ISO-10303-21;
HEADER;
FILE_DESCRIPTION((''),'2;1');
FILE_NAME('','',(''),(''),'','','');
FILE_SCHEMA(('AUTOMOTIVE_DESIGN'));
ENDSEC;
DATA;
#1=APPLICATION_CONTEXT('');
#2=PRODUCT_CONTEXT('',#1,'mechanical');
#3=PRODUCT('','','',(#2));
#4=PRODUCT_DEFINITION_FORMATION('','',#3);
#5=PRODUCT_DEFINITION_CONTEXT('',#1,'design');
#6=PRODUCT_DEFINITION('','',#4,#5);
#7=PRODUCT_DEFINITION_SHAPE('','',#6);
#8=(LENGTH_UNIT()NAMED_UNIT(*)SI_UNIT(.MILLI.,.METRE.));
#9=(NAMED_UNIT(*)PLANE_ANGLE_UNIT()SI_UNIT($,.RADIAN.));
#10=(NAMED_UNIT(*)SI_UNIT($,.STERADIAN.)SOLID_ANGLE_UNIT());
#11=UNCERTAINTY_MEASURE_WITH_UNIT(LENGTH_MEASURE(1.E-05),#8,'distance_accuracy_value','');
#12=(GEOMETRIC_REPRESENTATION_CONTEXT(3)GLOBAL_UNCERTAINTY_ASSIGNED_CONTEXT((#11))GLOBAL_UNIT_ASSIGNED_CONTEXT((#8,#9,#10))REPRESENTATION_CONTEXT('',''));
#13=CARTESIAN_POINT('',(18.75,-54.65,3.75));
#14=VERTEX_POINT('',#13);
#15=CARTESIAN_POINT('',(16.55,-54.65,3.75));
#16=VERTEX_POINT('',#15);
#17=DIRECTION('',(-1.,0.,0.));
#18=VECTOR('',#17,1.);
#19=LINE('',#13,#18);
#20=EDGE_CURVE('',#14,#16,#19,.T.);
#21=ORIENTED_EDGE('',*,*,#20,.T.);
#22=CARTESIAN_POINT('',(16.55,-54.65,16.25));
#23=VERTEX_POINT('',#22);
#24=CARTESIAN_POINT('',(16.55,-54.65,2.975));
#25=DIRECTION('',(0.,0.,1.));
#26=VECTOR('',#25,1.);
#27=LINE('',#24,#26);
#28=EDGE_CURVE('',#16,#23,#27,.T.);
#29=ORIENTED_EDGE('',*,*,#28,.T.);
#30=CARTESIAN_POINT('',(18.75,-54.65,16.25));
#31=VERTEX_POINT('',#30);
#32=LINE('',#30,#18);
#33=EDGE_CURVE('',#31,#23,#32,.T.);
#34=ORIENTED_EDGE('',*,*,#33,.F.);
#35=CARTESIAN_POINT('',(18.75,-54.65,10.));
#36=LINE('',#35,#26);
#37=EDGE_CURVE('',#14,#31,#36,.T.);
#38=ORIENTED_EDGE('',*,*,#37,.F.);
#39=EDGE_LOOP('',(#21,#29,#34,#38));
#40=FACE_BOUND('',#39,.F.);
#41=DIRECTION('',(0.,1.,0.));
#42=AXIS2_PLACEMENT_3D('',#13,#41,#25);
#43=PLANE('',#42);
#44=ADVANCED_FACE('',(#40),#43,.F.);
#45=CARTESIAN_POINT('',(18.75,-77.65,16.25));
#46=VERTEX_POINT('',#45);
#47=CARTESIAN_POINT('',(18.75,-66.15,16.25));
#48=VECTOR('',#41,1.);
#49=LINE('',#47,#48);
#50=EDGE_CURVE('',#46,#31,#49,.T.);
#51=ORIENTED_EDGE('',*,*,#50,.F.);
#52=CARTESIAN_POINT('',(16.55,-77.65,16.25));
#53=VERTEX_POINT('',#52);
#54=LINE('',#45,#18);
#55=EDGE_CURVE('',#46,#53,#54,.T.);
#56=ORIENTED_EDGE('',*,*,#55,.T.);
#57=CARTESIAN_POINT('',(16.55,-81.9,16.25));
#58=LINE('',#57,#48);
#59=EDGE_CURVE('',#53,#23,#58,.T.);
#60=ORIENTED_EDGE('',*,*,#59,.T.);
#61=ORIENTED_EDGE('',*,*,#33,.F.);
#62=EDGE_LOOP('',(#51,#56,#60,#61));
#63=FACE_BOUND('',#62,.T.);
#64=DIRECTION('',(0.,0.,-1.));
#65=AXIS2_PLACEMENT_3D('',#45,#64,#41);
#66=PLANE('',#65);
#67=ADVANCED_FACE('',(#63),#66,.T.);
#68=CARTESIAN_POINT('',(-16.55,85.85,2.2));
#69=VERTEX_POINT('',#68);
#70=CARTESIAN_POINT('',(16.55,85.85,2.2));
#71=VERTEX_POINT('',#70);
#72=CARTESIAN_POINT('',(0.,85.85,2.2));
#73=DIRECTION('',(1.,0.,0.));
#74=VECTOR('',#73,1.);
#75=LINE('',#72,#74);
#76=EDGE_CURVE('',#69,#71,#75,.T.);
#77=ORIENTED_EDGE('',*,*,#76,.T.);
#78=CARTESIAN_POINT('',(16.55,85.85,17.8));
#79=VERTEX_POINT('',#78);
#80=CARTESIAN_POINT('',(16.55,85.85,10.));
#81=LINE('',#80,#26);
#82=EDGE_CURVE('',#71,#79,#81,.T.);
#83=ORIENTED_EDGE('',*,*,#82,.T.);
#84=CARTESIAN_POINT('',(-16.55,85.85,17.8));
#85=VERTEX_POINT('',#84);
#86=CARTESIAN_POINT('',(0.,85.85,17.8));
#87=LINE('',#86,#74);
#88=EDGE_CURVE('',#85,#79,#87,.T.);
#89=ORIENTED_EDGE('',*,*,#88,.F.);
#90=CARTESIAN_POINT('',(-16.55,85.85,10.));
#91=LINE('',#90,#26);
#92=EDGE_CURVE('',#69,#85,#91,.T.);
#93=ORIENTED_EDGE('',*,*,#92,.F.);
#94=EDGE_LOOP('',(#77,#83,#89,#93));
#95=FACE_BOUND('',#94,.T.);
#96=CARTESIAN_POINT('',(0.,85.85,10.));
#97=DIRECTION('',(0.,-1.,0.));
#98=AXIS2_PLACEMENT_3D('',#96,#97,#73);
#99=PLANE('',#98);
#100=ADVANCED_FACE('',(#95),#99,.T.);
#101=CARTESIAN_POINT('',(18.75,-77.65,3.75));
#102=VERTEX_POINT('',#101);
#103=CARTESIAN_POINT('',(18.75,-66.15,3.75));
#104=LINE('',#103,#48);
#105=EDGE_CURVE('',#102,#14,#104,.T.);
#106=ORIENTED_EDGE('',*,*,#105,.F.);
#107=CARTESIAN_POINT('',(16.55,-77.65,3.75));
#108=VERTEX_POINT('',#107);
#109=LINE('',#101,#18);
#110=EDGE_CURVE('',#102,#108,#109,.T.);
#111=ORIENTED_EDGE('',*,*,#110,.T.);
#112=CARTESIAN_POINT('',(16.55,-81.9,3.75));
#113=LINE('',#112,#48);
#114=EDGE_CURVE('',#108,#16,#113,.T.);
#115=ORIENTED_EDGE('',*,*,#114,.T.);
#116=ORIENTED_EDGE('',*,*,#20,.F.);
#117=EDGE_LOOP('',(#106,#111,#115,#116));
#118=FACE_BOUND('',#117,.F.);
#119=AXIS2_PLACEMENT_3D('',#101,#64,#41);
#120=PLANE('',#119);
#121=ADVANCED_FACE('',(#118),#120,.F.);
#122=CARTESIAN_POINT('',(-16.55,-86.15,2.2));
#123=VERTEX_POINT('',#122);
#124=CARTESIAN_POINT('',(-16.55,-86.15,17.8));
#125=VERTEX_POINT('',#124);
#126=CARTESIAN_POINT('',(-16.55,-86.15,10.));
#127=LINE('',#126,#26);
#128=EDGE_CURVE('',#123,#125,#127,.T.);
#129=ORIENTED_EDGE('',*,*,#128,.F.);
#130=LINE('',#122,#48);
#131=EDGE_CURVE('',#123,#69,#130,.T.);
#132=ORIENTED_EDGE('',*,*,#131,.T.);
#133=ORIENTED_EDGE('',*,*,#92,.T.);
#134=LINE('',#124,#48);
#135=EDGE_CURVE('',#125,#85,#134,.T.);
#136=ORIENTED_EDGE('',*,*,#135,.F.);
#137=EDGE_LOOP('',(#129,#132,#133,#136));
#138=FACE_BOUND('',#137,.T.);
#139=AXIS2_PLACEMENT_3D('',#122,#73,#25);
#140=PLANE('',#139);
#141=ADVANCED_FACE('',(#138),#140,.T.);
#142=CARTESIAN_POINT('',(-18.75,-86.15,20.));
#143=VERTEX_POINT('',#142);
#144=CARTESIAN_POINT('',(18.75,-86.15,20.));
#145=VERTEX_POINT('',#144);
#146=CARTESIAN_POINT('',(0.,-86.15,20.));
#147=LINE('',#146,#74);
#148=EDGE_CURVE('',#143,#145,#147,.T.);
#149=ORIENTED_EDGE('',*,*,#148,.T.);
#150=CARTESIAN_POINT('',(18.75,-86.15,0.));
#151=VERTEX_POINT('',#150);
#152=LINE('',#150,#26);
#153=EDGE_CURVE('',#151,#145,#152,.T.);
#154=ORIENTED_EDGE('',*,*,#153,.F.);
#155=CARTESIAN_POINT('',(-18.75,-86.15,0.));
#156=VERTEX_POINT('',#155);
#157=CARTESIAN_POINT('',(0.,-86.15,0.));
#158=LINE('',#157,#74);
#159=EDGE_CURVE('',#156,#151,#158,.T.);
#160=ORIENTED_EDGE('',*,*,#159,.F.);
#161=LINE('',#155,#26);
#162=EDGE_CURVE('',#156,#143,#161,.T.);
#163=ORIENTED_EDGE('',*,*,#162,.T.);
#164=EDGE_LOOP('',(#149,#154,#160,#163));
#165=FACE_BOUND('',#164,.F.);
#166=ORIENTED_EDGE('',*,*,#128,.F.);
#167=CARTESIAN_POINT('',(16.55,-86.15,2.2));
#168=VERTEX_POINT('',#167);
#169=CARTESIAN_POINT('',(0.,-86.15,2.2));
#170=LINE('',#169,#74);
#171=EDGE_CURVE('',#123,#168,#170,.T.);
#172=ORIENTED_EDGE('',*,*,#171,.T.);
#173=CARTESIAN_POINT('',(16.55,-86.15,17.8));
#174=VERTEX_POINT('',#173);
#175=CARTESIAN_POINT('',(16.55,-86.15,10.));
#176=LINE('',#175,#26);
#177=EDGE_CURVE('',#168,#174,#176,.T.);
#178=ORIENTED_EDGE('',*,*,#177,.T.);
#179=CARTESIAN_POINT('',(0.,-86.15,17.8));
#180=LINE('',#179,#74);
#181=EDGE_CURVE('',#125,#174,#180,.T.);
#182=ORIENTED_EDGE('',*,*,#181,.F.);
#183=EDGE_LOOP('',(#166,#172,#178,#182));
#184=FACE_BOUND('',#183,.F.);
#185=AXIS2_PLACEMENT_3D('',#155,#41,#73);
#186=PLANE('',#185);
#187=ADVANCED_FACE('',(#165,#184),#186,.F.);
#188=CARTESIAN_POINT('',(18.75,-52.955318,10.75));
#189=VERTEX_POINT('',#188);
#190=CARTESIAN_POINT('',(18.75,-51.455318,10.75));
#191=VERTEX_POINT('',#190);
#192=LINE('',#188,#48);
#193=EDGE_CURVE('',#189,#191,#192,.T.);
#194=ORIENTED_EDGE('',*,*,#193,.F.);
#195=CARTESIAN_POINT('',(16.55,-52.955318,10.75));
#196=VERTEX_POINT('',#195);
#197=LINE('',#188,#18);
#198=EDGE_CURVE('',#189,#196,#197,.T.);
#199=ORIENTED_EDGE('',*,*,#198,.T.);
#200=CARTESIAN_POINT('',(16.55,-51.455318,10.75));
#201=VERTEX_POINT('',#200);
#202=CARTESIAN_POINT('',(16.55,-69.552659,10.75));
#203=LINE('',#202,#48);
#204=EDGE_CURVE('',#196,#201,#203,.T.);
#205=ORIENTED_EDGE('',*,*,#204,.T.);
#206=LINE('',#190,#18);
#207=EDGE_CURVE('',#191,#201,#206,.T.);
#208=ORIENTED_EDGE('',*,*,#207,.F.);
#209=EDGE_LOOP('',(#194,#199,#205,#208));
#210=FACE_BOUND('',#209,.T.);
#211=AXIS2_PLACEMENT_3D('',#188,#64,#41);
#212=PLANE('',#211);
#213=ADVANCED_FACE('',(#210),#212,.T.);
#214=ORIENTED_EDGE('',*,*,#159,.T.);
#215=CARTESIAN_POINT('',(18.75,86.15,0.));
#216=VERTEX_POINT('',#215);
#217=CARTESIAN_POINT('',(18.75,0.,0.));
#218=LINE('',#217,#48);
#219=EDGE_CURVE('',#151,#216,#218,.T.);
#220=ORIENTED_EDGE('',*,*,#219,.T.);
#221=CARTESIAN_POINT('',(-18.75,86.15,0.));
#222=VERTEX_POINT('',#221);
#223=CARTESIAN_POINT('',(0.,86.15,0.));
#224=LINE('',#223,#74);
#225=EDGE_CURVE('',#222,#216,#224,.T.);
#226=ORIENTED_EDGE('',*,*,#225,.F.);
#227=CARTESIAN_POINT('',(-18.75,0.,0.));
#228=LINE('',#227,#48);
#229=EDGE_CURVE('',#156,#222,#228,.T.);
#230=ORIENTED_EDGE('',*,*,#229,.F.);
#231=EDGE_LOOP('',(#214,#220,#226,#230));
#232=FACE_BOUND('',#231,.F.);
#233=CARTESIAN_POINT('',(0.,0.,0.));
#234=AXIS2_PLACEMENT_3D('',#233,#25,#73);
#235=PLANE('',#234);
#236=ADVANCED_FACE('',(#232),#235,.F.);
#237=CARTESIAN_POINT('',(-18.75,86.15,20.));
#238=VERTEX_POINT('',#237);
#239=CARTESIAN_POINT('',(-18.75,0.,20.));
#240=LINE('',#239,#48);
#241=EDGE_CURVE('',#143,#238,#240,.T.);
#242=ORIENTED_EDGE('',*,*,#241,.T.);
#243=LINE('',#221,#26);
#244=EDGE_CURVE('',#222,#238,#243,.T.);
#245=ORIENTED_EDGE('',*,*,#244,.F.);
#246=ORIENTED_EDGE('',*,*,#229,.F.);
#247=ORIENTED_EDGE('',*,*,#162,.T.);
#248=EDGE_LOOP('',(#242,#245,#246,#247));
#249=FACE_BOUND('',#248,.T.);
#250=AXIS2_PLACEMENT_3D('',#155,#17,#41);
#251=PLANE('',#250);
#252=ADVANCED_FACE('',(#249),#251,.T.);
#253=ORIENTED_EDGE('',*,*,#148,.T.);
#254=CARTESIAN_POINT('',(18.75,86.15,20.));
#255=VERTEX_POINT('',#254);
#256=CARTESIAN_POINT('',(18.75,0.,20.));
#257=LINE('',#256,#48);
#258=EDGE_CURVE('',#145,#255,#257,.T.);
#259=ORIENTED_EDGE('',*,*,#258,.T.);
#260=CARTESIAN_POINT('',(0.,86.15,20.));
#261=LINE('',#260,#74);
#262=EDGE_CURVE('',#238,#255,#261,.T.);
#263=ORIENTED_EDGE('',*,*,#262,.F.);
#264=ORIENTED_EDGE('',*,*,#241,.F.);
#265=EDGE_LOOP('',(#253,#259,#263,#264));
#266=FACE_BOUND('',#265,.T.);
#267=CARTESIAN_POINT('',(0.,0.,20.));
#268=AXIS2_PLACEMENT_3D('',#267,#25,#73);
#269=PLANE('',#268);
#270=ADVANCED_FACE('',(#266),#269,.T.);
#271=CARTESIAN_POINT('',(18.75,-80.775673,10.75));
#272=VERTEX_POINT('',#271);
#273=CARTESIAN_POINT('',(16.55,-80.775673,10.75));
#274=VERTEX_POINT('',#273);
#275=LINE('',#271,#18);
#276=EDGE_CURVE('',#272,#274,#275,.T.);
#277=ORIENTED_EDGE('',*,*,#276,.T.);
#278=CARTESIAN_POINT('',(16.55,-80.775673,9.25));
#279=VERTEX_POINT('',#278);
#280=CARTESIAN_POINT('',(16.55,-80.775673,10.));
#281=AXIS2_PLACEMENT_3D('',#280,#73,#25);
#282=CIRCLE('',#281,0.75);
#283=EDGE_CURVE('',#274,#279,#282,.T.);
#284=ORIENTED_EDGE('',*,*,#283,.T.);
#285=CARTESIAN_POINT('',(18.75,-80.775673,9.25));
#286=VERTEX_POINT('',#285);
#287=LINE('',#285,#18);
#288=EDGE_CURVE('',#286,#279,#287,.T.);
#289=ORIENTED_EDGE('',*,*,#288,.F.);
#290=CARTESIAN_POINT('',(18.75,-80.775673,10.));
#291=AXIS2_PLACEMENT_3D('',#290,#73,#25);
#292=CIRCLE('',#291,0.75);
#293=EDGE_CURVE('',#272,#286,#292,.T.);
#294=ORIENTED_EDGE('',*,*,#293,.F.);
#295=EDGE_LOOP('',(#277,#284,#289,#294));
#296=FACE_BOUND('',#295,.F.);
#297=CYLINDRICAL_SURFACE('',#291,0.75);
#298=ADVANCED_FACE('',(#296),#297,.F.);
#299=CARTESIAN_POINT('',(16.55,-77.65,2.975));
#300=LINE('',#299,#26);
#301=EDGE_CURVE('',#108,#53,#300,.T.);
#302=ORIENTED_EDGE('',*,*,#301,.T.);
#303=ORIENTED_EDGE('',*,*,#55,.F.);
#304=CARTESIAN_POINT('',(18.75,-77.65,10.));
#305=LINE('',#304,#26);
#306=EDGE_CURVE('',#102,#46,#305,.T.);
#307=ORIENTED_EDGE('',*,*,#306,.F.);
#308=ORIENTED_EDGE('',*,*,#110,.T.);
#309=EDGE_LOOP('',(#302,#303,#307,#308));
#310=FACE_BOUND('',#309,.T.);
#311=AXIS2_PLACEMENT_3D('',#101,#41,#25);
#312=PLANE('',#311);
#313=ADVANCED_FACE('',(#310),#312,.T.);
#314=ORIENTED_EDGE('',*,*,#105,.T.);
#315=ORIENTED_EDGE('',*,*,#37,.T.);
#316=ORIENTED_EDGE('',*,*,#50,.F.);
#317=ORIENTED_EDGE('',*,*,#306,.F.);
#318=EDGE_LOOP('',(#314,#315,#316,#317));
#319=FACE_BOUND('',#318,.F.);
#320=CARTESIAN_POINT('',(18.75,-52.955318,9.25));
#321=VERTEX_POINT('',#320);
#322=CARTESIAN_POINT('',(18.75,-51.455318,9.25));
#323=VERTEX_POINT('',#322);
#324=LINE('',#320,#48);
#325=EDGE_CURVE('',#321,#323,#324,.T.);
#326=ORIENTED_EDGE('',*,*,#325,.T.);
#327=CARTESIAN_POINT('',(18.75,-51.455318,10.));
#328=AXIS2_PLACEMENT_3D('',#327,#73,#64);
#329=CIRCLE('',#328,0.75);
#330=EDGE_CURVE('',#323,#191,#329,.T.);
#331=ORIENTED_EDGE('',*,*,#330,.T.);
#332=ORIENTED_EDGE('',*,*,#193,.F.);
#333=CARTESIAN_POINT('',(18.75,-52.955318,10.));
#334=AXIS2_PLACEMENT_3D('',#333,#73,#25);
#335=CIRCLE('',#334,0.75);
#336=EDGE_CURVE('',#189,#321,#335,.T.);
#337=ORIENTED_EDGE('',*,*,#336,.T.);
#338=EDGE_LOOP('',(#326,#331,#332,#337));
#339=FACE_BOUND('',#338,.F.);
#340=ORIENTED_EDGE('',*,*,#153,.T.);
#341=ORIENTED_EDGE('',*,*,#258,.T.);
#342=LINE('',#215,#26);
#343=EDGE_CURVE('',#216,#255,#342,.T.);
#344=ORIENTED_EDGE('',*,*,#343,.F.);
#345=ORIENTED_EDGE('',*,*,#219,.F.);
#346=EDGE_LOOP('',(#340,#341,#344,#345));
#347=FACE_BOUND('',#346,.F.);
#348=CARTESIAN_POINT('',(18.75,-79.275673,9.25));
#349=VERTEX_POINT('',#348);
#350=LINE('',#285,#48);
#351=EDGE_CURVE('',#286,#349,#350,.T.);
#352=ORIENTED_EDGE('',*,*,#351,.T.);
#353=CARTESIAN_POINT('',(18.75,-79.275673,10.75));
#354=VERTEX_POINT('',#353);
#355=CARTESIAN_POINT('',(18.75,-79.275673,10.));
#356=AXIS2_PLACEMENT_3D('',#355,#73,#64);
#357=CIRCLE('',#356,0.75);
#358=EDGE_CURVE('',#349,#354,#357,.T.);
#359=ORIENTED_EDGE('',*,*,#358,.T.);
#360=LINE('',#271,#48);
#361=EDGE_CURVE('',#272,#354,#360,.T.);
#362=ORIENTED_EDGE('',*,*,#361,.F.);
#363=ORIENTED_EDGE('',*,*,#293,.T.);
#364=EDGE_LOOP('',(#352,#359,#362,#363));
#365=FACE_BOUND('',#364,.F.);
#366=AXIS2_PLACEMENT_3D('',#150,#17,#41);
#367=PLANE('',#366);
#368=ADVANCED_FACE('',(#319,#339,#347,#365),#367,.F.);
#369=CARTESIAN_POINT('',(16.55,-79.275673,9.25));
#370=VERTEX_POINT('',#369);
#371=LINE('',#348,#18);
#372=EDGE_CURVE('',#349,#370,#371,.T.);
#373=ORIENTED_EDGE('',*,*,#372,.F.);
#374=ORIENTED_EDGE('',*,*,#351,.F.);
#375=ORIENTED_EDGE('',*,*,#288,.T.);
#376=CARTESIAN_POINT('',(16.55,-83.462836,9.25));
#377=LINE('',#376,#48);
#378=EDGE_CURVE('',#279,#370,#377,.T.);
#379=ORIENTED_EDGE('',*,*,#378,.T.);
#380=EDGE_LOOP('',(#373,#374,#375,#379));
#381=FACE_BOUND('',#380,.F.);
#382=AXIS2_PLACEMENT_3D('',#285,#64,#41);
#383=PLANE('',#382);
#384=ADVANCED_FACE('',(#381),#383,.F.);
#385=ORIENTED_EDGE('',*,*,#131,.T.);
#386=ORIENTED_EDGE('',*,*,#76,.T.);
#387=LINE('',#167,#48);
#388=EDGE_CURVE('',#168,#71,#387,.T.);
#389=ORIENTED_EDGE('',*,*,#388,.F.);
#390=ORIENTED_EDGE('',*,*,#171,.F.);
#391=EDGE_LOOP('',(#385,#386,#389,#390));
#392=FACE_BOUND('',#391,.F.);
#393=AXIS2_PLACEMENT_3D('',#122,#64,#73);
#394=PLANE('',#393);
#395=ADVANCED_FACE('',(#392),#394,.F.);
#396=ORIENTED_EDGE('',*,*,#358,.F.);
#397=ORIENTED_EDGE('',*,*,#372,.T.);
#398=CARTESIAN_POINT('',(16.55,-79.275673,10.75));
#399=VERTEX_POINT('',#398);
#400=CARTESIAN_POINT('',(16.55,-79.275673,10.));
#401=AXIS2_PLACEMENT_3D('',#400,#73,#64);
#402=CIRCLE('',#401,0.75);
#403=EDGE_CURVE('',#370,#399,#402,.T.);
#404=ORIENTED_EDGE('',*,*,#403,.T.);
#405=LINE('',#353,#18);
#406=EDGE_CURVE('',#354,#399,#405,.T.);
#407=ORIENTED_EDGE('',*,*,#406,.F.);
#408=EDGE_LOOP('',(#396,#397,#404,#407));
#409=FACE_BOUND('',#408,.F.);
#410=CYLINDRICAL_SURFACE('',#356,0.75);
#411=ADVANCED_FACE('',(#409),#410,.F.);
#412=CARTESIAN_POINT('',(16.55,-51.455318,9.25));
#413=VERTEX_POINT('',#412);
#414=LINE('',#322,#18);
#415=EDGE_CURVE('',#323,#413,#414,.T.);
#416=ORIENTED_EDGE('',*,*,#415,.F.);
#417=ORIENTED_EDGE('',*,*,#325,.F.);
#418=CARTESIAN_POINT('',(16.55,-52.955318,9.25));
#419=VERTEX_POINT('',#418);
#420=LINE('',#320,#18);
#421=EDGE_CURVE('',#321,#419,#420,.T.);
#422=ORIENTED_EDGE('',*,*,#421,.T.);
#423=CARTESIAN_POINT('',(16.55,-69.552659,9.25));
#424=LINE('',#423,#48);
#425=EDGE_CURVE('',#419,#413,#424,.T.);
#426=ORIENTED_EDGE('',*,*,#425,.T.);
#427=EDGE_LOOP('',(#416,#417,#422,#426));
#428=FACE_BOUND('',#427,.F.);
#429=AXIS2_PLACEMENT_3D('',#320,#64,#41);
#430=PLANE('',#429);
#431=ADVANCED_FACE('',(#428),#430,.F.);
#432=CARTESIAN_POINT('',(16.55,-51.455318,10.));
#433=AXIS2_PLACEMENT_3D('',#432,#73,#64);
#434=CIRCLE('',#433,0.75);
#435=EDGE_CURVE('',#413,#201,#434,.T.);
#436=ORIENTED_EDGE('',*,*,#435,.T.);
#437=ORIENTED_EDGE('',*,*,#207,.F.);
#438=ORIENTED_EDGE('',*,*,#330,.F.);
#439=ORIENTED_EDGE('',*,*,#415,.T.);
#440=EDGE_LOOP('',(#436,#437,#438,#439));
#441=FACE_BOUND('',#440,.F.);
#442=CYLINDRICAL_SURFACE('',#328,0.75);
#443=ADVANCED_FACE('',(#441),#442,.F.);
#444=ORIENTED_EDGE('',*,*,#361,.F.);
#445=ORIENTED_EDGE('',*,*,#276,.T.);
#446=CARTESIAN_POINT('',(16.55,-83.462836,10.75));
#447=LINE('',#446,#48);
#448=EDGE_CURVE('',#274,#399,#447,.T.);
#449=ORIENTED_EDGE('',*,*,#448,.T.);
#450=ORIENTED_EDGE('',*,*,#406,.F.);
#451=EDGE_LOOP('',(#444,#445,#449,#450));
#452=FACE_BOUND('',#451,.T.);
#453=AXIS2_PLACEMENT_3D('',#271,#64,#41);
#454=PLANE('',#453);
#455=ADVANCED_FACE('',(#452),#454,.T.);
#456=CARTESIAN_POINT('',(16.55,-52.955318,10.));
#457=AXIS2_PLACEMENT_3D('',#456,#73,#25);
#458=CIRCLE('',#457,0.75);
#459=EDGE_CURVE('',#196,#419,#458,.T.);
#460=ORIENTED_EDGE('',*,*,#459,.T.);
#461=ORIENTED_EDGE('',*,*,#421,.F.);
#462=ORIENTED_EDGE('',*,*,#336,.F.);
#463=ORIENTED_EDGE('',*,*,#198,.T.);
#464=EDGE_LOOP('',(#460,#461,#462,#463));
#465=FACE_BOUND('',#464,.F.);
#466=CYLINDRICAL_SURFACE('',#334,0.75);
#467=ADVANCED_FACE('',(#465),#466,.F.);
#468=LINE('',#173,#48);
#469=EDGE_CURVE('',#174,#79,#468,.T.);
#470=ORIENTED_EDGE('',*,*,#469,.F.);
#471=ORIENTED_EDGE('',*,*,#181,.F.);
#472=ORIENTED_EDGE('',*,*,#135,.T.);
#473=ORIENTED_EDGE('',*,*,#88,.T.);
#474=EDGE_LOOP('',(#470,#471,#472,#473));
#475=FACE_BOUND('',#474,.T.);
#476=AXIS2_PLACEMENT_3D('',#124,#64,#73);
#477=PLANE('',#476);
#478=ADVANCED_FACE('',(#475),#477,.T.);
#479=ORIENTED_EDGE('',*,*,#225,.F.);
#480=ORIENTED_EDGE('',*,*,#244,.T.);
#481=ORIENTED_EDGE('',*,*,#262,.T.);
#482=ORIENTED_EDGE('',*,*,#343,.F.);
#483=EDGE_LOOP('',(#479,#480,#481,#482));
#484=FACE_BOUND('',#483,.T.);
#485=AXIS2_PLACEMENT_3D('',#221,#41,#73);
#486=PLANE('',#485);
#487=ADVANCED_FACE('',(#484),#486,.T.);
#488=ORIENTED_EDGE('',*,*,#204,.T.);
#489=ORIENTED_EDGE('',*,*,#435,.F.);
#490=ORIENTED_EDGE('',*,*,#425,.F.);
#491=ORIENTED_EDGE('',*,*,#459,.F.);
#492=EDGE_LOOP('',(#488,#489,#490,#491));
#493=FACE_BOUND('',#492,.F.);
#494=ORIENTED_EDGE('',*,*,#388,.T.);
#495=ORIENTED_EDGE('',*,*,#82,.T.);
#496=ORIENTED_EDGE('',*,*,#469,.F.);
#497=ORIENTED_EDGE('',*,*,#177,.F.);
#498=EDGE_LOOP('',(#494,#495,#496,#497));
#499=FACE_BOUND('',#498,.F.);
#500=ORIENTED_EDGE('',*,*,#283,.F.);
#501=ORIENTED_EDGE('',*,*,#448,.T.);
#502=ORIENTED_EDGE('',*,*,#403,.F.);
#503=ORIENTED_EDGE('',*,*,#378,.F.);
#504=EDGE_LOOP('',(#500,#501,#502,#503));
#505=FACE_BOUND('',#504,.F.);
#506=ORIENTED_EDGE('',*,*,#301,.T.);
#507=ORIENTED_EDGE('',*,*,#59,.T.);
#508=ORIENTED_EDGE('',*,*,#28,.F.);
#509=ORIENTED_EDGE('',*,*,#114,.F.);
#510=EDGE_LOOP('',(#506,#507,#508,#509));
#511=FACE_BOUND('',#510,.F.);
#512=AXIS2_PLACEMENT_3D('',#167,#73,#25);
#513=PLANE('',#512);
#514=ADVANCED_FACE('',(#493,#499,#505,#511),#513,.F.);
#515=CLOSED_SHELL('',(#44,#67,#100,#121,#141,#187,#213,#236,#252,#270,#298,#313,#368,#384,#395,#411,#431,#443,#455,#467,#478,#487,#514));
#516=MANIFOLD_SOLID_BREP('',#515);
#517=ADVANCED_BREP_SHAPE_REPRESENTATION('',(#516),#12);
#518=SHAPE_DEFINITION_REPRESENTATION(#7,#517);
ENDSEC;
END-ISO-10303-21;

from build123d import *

# Parameters (mm, degrees)
SKETCH007_W     = 37.5
SKETCH007_H     = 172.3
PAD002_DEPTH    = 20
SKETCH006_W     = 33.1
SKETCH006_H     = 15.6
POCKET004_DEPTH = 172
SKETCH009_W     = 23
SKETCH009_H     = 12.5
POCKET003_DEPTH = 10
POCKET005_DEPTH = 5


with BuildPart() as part:
    # Sketch007 → Pad002 (new body)
    with BuildSketch(Plane.XY):
        Rectangle(SKETCH007_W, SKETCH007_H)
    extrude(amount=PAD002_DEPTH)

    # Sketch006 (on Face1 of Pad002) → Pocket004 (cut)
    with BuildSketch(Plane.XZ.offset(86.15)):
        with Locations((0, 10)):
            Rectangle(SKETCH006_W, SKETCH006_H)
    extrude(amount=-POCKET004_DEPTH, mode=Mode.SUBTRACT)

    # Sketch009 (on Face5 of Pocket004) → Pocket003 (cut)
    with BuildSketch(Plane.YZ.offset(18.75)):
        with Locations((-66.15, 10)):
            Rectangle(SKETCH009_W, SKETCH009_H)
    extrude(amount=-POCKET003_DEPTH, mode=Mode.SUBTRACT)

    # Sketch005 (on Face5 of Pocket003) → Pocket005 (cut)
    with BuildSketch(Plane.YZ.offset(18.75)):
        with BuildLine():
            ThreePointArc((-80.775673, 10.75), (-81.525673, 10), (-80.775673, 9.25))
            Line((-80.775673, 9.25), (-79.275673, 9.25))
            ThreePointArc((-79.275673, 9.25), (-78.525673, 10), (-79.275673, 10.75))
            Line((-80.775673, 10.75), (-79.275673, 10.75))
        make_face()
        with BuildLine():
            ThreePointArc((-52.955318, 10.75), (-53.705318, 10), (-52.955318, 9.25))
            Line((-52.955318, 9.25), (-51.455318, 9.25))
            ThreePointArc((-51.455318, 9.25), (-50.705318, 10), (-51.455318, 10.75))
            Line((-52.955318, 10.75), (-51.455318, 10.75))
        make_face()
    extrude(amount=-POCKET005_DEPTH, mode=Mode.SUBTRACT)


solid = part.part
